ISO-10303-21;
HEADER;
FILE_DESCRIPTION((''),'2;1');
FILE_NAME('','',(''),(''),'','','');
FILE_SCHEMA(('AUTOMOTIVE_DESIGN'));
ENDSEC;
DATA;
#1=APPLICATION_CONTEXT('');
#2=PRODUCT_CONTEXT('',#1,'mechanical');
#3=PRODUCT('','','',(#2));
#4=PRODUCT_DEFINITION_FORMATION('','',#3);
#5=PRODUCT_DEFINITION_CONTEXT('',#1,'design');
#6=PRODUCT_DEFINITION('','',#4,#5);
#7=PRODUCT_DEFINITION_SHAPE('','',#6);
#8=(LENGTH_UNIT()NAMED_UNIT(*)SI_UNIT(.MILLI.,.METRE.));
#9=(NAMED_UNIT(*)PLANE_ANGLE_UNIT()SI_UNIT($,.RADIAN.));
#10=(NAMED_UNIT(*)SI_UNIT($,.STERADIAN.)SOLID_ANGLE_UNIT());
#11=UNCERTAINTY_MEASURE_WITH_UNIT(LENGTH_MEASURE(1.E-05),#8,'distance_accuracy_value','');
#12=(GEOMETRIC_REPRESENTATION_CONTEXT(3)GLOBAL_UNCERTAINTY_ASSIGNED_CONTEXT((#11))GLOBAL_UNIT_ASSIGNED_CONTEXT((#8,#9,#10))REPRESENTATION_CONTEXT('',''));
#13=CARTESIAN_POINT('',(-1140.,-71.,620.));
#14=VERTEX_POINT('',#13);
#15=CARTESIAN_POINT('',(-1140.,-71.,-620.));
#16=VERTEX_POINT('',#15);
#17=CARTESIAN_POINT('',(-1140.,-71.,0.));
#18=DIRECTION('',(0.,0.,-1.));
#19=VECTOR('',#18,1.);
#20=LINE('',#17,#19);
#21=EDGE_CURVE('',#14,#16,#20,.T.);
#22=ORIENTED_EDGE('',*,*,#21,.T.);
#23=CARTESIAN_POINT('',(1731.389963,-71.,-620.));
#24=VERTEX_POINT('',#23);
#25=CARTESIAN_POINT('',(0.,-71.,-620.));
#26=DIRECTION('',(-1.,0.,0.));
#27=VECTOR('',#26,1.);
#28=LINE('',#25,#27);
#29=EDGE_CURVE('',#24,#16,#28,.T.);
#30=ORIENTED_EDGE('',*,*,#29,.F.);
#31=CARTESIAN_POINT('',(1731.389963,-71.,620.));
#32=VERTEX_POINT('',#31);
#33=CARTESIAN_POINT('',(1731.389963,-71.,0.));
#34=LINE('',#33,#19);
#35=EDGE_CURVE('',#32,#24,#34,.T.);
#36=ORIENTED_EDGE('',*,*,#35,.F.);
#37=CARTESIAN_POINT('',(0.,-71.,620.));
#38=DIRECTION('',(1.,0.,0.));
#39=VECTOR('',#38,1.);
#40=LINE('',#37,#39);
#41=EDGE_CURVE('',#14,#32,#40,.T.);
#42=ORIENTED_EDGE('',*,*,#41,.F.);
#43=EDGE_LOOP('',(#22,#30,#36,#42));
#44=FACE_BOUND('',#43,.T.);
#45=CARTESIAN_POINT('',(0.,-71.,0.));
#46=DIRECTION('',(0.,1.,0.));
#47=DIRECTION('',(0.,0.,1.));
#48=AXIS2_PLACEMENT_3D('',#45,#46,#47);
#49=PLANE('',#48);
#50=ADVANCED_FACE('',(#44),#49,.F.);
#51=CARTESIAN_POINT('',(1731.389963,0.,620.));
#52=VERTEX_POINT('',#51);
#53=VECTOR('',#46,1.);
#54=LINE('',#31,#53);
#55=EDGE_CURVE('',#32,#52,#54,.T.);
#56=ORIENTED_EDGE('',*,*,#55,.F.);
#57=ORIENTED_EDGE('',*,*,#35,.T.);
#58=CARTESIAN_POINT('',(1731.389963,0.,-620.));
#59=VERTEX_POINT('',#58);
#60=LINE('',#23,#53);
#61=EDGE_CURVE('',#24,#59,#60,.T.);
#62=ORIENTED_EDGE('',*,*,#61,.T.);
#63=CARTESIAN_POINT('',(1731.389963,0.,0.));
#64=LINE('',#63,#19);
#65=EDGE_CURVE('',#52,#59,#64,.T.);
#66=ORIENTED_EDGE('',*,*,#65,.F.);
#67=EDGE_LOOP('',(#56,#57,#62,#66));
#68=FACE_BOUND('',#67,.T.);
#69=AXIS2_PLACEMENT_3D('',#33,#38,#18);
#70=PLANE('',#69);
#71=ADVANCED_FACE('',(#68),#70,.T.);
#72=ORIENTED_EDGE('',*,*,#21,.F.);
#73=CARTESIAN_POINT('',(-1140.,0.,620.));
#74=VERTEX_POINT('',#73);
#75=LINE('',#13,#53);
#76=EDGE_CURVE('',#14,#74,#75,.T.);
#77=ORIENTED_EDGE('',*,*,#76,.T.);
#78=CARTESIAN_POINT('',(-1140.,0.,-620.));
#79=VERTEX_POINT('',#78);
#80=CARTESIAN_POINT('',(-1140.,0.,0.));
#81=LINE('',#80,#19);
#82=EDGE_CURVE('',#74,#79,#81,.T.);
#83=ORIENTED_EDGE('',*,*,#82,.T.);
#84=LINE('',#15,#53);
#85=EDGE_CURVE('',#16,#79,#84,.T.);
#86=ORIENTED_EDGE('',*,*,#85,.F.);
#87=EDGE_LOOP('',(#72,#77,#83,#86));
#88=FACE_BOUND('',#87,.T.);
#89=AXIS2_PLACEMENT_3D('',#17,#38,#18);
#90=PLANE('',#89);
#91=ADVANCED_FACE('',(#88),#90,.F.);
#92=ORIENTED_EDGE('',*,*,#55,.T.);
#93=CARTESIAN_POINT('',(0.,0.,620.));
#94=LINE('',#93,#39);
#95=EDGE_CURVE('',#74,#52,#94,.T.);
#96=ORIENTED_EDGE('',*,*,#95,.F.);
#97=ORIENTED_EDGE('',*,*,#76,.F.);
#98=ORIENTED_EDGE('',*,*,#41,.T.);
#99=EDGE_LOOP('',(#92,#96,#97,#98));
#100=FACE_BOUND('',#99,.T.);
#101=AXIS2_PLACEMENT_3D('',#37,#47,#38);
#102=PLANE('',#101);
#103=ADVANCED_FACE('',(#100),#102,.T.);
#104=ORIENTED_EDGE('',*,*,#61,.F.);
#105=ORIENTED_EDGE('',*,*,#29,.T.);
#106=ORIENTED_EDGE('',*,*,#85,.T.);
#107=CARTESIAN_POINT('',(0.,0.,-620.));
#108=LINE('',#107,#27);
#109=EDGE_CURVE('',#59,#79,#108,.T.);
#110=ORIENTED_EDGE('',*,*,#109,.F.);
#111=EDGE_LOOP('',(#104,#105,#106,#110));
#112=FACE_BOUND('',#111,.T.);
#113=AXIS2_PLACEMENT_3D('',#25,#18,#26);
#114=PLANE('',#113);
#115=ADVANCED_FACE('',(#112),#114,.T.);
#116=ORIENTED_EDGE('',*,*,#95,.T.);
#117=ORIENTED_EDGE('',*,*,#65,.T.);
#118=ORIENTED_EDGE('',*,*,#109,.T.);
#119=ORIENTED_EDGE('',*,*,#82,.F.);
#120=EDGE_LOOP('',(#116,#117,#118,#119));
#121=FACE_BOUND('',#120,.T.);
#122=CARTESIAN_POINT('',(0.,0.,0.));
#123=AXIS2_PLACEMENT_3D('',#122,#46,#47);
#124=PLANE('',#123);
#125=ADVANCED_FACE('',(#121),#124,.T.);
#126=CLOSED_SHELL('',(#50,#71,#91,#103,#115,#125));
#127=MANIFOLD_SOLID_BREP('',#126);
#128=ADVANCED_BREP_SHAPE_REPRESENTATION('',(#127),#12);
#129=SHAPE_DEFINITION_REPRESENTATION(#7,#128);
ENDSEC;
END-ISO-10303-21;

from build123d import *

# Parameters (mm, degrees)
SKETCH1_W           = 2386.746993958
SKETCH1_H           = 564.77151266
BOSS_EXTRUDE1_DEPTH = 71


with BuildPart() as part:
    # Sketch1 → Boss-Extrude1 (new body)
    with BuildSketch(Plane(origin=(0, 0, 0), x_dir=(1, 0, 0), z_dir=(0, 1, 0))):
        Polygon((1731.389962814, -620), (1731.389962814, 620), (1140, 620), (-1140, 620), (-1140, -620), (1140, -620), align=None)
        with Locations((295.694981407, 0)):
            Rectangle(SKETCH1_W, SKETCH1_H, mode=Mode.SUBTRACT)
        with Locations((295.694981407, 0)):
            Rectangle(SKETCH1_W, SKETCH1_H)
    extrude(amount=-BOSS_EXTRUDE1_DEPTH)


solid = part.part
